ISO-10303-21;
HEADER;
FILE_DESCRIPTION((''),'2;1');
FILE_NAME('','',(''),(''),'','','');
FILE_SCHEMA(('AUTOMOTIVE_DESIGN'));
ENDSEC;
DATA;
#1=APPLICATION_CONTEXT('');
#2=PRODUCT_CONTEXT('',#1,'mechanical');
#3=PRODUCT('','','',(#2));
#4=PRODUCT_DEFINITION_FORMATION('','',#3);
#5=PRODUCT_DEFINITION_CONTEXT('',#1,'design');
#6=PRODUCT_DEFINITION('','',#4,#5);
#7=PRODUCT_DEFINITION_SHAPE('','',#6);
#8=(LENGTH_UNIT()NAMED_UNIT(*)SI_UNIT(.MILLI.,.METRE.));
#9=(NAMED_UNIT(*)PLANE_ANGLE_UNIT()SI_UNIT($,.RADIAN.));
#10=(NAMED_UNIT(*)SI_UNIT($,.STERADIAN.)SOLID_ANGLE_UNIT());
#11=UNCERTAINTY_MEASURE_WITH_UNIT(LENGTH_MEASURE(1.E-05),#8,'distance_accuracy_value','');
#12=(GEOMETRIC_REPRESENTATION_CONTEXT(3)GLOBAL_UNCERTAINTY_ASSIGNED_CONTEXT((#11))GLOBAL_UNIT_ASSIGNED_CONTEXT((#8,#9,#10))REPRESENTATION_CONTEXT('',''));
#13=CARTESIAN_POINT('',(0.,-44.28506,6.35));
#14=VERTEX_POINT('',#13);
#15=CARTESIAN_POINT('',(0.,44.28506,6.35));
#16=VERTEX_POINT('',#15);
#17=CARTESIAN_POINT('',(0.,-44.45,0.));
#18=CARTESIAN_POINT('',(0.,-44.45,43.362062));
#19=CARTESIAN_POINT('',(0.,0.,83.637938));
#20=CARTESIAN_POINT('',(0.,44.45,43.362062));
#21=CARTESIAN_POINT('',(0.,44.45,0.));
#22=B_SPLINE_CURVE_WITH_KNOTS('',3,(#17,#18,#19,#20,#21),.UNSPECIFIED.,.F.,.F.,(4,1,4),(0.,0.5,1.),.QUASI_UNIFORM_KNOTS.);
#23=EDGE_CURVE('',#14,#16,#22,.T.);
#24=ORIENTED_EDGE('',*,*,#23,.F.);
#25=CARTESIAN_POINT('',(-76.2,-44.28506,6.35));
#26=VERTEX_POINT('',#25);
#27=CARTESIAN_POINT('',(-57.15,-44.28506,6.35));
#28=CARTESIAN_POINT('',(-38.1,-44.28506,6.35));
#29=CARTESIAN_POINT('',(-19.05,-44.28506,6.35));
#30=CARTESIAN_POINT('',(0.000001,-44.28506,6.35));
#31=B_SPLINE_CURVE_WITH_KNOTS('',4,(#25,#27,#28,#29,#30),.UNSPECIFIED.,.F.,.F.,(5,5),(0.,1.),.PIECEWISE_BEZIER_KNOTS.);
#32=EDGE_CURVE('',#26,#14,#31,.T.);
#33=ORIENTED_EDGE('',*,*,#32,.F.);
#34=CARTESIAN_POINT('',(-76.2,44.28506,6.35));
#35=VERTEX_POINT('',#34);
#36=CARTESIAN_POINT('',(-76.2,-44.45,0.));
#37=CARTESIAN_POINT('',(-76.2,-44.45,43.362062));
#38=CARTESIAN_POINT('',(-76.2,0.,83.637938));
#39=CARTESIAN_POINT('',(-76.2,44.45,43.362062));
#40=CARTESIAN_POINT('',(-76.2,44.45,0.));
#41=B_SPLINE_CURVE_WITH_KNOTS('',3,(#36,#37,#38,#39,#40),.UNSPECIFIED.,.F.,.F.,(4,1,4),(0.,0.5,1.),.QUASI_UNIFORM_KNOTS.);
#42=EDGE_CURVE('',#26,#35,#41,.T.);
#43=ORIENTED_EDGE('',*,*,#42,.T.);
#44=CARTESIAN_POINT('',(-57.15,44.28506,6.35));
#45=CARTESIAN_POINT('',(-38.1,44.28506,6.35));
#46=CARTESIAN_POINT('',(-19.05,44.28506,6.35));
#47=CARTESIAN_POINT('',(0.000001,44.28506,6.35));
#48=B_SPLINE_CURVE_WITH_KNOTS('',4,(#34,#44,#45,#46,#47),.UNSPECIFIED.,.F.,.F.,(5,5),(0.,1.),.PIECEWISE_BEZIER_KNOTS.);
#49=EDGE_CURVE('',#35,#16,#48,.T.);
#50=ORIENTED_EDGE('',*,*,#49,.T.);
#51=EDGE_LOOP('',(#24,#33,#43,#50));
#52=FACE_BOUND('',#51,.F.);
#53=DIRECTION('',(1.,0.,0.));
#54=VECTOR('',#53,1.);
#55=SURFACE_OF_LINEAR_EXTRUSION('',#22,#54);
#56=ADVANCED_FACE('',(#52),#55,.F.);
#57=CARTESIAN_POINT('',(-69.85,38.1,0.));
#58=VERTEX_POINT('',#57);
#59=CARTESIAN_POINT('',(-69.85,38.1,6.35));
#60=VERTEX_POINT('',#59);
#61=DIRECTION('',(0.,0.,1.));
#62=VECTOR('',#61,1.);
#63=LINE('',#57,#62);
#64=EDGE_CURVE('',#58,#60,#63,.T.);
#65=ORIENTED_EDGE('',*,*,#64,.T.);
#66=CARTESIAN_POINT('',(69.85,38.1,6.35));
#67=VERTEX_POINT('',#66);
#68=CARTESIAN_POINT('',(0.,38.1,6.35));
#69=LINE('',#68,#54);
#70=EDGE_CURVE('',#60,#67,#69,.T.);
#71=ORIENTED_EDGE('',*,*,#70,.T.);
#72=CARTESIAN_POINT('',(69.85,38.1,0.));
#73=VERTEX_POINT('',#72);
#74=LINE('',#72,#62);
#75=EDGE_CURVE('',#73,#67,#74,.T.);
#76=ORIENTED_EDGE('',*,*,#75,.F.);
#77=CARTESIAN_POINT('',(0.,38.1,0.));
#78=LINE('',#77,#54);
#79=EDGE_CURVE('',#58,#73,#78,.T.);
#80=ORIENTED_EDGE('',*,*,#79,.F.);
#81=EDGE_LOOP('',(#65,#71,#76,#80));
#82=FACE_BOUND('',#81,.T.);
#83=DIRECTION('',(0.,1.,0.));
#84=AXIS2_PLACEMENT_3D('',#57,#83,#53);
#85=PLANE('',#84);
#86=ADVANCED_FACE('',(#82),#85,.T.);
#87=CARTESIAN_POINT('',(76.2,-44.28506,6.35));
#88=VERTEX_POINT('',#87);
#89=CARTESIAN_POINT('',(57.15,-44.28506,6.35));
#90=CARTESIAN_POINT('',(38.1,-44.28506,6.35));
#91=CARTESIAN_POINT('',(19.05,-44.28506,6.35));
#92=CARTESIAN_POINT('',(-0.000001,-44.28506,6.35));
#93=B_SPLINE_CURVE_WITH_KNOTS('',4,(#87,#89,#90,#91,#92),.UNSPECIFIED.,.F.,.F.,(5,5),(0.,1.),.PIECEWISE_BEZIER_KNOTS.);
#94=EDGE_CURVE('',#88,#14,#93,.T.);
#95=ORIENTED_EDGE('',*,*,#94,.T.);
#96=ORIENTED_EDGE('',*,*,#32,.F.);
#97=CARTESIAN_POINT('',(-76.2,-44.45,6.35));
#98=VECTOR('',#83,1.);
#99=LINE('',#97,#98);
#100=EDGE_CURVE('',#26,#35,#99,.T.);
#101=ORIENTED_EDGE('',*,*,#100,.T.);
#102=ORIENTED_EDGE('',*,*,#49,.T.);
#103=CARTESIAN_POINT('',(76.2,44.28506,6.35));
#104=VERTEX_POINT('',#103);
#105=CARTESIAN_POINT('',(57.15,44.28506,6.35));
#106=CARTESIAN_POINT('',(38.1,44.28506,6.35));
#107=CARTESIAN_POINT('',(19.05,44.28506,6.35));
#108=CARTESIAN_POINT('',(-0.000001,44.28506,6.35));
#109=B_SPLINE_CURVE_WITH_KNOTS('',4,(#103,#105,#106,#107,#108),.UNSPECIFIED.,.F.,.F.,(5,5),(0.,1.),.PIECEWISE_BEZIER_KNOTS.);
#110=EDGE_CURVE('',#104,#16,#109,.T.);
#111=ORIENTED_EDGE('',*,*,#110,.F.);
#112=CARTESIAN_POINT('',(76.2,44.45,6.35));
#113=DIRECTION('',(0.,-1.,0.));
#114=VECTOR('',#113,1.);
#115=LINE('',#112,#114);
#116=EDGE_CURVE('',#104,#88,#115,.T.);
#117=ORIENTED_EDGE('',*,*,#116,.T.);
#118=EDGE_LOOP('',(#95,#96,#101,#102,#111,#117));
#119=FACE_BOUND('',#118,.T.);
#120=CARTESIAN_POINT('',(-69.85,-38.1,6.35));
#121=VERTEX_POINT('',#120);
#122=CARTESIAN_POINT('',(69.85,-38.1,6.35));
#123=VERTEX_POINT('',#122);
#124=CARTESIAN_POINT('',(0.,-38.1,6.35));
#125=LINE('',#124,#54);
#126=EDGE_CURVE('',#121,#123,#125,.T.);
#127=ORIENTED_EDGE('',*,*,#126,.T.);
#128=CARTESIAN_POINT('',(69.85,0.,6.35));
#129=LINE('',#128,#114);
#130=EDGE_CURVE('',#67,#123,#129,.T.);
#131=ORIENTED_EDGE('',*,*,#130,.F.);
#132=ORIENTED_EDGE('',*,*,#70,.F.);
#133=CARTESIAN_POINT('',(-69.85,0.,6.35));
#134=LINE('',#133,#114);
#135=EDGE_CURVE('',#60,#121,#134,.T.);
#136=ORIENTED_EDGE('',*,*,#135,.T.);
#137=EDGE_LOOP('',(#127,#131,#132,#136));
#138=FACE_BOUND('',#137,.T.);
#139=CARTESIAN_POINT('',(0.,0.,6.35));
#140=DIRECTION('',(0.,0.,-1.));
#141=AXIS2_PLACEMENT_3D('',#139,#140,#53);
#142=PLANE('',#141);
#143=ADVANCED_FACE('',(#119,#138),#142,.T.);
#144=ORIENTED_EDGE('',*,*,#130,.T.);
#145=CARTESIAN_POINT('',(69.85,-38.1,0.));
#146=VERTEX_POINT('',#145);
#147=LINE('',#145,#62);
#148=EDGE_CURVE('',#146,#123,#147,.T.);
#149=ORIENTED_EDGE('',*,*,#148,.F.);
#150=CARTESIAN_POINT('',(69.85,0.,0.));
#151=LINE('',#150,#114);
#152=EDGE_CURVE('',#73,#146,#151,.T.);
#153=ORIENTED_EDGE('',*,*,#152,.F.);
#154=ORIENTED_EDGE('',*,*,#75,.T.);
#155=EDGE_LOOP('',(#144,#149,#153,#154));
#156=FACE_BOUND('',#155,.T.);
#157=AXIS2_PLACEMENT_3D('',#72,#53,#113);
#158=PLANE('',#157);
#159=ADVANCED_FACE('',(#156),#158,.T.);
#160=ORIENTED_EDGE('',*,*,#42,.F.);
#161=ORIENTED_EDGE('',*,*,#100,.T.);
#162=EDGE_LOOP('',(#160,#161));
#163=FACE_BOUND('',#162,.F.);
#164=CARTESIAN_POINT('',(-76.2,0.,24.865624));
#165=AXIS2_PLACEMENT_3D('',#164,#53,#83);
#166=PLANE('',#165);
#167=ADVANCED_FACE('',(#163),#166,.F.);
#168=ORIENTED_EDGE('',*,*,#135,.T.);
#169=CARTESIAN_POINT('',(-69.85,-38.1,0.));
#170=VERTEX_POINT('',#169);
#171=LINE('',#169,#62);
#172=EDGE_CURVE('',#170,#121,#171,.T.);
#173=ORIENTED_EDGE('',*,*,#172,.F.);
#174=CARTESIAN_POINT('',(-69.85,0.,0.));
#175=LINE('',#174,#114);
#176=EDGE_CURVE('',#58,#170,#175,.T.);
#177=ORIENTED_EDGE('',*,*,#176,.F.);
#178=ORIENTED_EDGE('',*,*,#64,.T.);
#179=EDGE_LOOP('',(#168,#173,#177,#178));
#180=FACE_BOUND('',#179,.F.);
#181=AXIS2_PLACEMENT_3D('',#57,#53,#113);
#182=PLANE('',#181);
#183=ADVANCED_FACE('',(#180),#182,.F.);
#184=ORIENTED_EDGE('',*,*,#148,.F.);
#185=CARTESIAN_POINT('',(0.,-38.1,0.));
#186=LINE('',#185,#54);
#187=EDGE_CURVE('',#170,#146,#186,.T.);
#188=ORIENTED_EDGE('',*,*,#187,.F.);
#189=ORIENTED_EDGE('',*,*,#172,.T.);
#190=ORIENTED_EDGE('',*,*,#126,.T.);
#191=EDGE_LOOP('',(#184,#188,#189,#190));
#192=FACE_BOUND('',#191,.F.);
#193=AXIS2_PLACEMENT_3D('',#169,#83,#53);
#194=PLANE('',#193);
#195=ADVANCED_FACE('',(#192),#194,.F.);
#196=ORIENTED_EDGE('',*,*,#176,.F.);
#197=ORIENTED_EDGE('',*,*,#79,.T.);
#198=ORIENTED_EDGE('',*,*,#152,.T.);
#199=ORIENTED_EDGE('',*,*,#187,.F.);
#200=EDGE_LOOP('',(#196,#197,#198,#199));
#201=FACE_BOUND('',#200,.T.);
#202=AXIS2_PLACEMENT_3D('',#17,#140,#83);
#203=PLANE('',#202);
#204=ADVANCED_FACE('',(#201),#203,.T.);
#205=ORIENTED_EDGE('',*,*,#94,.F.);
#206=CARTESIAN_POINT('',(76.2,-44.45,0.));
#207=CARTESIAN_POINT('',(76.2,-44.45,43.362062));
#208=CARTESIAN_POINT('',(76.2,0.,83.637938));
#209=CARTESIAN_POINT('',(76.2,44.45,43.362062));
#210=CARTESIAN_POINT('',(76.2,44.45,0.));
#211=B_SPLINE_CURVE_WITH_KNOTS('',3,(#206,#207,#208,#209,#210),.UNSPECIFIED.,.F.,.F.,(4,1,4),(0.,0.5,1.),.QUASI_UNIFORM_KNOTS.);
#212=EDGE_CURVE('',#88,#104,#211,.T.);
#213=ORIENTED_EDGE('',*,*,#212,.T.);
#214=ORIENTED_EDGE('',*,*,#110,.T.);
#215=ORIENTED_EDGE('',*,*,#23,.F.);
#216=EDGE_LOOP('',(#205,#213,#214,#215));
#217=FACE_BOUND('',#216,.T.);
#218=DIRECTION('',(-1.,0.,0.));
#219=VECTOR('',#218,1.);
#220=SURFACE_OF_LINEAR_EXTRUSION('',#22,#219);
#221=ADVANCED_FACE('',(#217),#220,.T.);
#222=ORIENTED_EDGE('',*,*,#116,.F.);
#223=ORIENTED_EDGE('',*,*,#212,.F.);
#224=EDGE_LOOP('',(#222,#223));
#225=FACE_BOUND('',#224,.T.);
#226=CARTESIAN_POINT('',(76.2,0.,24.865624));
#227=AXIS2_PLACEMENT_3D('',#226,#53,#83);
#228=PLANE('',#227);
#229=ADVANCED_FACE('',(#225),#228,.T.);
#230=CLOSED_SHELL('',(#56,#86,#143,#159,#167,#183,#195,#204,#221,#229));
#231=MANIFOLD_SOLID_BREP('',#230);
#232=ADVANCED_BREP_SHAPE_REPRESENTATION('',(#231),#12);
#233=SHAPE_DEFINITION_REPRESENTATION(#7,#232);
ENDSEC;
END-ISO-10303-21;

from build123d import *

# Parameters (mm, degrees)
F1_DEPTH = 76.2
F2_DEPTH = 76.2
F3_W     = 139.7
F3_H     = 76.2
F4_DEPTH = 6.35


with BuildPart() as f1:
    # F0 (on Right) → F1 (new body)
    with BuildSketch(Plane.YZ):
        with BuildLine():
            Line((-44.45, 0), (44.45, 0))
            add(Edge.make_bspline(
                [(0, 63.5), (22.225, 63.5), (44.45, 43.3620624244), (44.45, 0)],
                knots=[0.5, 0.5, 0.5, 0.5, 1, 1, 1, 1], degree=3))
            add(Edge.make_bspline(
                [(-44.45, 0), (-44.45, 43.3620624244), (-22.225, 63.5), (0, 63.5)],
                knots=[0, 0, 0, 0, 0.5, 0.5, 0.5, 0.5], degree=3))
        make_face()
    extrude(amount=F1_DEPTH)

    # F2 (add): a face of the model
    f2_faces = [f1.faces().sort_by_distance(p)[0] for p in [
        (0, 0, 27.2904966015),
    ]]
    extrude(f2_faces, amount=F2_DEPTH)

    # F3 (on face) → F4 (cut)
    with BuildSketch(Plane(origin=(0, 0, 0), x_dir=(1, 0, 0), z_dir=(0, 0, -1))):
        Polygon((76.2, -44.45), (76.2, 44.45), (0, 44.45), (-76.2, 44.45), (-76.2, -44.45), (0, -44.45), align=None)
        Rectangle(F3_W, F3_H, mode=Mode.SUBTRACT)
    extrude(amount=-F4_DEPTH, mode=Mode.SUBTRACT)


solid = f1.part
